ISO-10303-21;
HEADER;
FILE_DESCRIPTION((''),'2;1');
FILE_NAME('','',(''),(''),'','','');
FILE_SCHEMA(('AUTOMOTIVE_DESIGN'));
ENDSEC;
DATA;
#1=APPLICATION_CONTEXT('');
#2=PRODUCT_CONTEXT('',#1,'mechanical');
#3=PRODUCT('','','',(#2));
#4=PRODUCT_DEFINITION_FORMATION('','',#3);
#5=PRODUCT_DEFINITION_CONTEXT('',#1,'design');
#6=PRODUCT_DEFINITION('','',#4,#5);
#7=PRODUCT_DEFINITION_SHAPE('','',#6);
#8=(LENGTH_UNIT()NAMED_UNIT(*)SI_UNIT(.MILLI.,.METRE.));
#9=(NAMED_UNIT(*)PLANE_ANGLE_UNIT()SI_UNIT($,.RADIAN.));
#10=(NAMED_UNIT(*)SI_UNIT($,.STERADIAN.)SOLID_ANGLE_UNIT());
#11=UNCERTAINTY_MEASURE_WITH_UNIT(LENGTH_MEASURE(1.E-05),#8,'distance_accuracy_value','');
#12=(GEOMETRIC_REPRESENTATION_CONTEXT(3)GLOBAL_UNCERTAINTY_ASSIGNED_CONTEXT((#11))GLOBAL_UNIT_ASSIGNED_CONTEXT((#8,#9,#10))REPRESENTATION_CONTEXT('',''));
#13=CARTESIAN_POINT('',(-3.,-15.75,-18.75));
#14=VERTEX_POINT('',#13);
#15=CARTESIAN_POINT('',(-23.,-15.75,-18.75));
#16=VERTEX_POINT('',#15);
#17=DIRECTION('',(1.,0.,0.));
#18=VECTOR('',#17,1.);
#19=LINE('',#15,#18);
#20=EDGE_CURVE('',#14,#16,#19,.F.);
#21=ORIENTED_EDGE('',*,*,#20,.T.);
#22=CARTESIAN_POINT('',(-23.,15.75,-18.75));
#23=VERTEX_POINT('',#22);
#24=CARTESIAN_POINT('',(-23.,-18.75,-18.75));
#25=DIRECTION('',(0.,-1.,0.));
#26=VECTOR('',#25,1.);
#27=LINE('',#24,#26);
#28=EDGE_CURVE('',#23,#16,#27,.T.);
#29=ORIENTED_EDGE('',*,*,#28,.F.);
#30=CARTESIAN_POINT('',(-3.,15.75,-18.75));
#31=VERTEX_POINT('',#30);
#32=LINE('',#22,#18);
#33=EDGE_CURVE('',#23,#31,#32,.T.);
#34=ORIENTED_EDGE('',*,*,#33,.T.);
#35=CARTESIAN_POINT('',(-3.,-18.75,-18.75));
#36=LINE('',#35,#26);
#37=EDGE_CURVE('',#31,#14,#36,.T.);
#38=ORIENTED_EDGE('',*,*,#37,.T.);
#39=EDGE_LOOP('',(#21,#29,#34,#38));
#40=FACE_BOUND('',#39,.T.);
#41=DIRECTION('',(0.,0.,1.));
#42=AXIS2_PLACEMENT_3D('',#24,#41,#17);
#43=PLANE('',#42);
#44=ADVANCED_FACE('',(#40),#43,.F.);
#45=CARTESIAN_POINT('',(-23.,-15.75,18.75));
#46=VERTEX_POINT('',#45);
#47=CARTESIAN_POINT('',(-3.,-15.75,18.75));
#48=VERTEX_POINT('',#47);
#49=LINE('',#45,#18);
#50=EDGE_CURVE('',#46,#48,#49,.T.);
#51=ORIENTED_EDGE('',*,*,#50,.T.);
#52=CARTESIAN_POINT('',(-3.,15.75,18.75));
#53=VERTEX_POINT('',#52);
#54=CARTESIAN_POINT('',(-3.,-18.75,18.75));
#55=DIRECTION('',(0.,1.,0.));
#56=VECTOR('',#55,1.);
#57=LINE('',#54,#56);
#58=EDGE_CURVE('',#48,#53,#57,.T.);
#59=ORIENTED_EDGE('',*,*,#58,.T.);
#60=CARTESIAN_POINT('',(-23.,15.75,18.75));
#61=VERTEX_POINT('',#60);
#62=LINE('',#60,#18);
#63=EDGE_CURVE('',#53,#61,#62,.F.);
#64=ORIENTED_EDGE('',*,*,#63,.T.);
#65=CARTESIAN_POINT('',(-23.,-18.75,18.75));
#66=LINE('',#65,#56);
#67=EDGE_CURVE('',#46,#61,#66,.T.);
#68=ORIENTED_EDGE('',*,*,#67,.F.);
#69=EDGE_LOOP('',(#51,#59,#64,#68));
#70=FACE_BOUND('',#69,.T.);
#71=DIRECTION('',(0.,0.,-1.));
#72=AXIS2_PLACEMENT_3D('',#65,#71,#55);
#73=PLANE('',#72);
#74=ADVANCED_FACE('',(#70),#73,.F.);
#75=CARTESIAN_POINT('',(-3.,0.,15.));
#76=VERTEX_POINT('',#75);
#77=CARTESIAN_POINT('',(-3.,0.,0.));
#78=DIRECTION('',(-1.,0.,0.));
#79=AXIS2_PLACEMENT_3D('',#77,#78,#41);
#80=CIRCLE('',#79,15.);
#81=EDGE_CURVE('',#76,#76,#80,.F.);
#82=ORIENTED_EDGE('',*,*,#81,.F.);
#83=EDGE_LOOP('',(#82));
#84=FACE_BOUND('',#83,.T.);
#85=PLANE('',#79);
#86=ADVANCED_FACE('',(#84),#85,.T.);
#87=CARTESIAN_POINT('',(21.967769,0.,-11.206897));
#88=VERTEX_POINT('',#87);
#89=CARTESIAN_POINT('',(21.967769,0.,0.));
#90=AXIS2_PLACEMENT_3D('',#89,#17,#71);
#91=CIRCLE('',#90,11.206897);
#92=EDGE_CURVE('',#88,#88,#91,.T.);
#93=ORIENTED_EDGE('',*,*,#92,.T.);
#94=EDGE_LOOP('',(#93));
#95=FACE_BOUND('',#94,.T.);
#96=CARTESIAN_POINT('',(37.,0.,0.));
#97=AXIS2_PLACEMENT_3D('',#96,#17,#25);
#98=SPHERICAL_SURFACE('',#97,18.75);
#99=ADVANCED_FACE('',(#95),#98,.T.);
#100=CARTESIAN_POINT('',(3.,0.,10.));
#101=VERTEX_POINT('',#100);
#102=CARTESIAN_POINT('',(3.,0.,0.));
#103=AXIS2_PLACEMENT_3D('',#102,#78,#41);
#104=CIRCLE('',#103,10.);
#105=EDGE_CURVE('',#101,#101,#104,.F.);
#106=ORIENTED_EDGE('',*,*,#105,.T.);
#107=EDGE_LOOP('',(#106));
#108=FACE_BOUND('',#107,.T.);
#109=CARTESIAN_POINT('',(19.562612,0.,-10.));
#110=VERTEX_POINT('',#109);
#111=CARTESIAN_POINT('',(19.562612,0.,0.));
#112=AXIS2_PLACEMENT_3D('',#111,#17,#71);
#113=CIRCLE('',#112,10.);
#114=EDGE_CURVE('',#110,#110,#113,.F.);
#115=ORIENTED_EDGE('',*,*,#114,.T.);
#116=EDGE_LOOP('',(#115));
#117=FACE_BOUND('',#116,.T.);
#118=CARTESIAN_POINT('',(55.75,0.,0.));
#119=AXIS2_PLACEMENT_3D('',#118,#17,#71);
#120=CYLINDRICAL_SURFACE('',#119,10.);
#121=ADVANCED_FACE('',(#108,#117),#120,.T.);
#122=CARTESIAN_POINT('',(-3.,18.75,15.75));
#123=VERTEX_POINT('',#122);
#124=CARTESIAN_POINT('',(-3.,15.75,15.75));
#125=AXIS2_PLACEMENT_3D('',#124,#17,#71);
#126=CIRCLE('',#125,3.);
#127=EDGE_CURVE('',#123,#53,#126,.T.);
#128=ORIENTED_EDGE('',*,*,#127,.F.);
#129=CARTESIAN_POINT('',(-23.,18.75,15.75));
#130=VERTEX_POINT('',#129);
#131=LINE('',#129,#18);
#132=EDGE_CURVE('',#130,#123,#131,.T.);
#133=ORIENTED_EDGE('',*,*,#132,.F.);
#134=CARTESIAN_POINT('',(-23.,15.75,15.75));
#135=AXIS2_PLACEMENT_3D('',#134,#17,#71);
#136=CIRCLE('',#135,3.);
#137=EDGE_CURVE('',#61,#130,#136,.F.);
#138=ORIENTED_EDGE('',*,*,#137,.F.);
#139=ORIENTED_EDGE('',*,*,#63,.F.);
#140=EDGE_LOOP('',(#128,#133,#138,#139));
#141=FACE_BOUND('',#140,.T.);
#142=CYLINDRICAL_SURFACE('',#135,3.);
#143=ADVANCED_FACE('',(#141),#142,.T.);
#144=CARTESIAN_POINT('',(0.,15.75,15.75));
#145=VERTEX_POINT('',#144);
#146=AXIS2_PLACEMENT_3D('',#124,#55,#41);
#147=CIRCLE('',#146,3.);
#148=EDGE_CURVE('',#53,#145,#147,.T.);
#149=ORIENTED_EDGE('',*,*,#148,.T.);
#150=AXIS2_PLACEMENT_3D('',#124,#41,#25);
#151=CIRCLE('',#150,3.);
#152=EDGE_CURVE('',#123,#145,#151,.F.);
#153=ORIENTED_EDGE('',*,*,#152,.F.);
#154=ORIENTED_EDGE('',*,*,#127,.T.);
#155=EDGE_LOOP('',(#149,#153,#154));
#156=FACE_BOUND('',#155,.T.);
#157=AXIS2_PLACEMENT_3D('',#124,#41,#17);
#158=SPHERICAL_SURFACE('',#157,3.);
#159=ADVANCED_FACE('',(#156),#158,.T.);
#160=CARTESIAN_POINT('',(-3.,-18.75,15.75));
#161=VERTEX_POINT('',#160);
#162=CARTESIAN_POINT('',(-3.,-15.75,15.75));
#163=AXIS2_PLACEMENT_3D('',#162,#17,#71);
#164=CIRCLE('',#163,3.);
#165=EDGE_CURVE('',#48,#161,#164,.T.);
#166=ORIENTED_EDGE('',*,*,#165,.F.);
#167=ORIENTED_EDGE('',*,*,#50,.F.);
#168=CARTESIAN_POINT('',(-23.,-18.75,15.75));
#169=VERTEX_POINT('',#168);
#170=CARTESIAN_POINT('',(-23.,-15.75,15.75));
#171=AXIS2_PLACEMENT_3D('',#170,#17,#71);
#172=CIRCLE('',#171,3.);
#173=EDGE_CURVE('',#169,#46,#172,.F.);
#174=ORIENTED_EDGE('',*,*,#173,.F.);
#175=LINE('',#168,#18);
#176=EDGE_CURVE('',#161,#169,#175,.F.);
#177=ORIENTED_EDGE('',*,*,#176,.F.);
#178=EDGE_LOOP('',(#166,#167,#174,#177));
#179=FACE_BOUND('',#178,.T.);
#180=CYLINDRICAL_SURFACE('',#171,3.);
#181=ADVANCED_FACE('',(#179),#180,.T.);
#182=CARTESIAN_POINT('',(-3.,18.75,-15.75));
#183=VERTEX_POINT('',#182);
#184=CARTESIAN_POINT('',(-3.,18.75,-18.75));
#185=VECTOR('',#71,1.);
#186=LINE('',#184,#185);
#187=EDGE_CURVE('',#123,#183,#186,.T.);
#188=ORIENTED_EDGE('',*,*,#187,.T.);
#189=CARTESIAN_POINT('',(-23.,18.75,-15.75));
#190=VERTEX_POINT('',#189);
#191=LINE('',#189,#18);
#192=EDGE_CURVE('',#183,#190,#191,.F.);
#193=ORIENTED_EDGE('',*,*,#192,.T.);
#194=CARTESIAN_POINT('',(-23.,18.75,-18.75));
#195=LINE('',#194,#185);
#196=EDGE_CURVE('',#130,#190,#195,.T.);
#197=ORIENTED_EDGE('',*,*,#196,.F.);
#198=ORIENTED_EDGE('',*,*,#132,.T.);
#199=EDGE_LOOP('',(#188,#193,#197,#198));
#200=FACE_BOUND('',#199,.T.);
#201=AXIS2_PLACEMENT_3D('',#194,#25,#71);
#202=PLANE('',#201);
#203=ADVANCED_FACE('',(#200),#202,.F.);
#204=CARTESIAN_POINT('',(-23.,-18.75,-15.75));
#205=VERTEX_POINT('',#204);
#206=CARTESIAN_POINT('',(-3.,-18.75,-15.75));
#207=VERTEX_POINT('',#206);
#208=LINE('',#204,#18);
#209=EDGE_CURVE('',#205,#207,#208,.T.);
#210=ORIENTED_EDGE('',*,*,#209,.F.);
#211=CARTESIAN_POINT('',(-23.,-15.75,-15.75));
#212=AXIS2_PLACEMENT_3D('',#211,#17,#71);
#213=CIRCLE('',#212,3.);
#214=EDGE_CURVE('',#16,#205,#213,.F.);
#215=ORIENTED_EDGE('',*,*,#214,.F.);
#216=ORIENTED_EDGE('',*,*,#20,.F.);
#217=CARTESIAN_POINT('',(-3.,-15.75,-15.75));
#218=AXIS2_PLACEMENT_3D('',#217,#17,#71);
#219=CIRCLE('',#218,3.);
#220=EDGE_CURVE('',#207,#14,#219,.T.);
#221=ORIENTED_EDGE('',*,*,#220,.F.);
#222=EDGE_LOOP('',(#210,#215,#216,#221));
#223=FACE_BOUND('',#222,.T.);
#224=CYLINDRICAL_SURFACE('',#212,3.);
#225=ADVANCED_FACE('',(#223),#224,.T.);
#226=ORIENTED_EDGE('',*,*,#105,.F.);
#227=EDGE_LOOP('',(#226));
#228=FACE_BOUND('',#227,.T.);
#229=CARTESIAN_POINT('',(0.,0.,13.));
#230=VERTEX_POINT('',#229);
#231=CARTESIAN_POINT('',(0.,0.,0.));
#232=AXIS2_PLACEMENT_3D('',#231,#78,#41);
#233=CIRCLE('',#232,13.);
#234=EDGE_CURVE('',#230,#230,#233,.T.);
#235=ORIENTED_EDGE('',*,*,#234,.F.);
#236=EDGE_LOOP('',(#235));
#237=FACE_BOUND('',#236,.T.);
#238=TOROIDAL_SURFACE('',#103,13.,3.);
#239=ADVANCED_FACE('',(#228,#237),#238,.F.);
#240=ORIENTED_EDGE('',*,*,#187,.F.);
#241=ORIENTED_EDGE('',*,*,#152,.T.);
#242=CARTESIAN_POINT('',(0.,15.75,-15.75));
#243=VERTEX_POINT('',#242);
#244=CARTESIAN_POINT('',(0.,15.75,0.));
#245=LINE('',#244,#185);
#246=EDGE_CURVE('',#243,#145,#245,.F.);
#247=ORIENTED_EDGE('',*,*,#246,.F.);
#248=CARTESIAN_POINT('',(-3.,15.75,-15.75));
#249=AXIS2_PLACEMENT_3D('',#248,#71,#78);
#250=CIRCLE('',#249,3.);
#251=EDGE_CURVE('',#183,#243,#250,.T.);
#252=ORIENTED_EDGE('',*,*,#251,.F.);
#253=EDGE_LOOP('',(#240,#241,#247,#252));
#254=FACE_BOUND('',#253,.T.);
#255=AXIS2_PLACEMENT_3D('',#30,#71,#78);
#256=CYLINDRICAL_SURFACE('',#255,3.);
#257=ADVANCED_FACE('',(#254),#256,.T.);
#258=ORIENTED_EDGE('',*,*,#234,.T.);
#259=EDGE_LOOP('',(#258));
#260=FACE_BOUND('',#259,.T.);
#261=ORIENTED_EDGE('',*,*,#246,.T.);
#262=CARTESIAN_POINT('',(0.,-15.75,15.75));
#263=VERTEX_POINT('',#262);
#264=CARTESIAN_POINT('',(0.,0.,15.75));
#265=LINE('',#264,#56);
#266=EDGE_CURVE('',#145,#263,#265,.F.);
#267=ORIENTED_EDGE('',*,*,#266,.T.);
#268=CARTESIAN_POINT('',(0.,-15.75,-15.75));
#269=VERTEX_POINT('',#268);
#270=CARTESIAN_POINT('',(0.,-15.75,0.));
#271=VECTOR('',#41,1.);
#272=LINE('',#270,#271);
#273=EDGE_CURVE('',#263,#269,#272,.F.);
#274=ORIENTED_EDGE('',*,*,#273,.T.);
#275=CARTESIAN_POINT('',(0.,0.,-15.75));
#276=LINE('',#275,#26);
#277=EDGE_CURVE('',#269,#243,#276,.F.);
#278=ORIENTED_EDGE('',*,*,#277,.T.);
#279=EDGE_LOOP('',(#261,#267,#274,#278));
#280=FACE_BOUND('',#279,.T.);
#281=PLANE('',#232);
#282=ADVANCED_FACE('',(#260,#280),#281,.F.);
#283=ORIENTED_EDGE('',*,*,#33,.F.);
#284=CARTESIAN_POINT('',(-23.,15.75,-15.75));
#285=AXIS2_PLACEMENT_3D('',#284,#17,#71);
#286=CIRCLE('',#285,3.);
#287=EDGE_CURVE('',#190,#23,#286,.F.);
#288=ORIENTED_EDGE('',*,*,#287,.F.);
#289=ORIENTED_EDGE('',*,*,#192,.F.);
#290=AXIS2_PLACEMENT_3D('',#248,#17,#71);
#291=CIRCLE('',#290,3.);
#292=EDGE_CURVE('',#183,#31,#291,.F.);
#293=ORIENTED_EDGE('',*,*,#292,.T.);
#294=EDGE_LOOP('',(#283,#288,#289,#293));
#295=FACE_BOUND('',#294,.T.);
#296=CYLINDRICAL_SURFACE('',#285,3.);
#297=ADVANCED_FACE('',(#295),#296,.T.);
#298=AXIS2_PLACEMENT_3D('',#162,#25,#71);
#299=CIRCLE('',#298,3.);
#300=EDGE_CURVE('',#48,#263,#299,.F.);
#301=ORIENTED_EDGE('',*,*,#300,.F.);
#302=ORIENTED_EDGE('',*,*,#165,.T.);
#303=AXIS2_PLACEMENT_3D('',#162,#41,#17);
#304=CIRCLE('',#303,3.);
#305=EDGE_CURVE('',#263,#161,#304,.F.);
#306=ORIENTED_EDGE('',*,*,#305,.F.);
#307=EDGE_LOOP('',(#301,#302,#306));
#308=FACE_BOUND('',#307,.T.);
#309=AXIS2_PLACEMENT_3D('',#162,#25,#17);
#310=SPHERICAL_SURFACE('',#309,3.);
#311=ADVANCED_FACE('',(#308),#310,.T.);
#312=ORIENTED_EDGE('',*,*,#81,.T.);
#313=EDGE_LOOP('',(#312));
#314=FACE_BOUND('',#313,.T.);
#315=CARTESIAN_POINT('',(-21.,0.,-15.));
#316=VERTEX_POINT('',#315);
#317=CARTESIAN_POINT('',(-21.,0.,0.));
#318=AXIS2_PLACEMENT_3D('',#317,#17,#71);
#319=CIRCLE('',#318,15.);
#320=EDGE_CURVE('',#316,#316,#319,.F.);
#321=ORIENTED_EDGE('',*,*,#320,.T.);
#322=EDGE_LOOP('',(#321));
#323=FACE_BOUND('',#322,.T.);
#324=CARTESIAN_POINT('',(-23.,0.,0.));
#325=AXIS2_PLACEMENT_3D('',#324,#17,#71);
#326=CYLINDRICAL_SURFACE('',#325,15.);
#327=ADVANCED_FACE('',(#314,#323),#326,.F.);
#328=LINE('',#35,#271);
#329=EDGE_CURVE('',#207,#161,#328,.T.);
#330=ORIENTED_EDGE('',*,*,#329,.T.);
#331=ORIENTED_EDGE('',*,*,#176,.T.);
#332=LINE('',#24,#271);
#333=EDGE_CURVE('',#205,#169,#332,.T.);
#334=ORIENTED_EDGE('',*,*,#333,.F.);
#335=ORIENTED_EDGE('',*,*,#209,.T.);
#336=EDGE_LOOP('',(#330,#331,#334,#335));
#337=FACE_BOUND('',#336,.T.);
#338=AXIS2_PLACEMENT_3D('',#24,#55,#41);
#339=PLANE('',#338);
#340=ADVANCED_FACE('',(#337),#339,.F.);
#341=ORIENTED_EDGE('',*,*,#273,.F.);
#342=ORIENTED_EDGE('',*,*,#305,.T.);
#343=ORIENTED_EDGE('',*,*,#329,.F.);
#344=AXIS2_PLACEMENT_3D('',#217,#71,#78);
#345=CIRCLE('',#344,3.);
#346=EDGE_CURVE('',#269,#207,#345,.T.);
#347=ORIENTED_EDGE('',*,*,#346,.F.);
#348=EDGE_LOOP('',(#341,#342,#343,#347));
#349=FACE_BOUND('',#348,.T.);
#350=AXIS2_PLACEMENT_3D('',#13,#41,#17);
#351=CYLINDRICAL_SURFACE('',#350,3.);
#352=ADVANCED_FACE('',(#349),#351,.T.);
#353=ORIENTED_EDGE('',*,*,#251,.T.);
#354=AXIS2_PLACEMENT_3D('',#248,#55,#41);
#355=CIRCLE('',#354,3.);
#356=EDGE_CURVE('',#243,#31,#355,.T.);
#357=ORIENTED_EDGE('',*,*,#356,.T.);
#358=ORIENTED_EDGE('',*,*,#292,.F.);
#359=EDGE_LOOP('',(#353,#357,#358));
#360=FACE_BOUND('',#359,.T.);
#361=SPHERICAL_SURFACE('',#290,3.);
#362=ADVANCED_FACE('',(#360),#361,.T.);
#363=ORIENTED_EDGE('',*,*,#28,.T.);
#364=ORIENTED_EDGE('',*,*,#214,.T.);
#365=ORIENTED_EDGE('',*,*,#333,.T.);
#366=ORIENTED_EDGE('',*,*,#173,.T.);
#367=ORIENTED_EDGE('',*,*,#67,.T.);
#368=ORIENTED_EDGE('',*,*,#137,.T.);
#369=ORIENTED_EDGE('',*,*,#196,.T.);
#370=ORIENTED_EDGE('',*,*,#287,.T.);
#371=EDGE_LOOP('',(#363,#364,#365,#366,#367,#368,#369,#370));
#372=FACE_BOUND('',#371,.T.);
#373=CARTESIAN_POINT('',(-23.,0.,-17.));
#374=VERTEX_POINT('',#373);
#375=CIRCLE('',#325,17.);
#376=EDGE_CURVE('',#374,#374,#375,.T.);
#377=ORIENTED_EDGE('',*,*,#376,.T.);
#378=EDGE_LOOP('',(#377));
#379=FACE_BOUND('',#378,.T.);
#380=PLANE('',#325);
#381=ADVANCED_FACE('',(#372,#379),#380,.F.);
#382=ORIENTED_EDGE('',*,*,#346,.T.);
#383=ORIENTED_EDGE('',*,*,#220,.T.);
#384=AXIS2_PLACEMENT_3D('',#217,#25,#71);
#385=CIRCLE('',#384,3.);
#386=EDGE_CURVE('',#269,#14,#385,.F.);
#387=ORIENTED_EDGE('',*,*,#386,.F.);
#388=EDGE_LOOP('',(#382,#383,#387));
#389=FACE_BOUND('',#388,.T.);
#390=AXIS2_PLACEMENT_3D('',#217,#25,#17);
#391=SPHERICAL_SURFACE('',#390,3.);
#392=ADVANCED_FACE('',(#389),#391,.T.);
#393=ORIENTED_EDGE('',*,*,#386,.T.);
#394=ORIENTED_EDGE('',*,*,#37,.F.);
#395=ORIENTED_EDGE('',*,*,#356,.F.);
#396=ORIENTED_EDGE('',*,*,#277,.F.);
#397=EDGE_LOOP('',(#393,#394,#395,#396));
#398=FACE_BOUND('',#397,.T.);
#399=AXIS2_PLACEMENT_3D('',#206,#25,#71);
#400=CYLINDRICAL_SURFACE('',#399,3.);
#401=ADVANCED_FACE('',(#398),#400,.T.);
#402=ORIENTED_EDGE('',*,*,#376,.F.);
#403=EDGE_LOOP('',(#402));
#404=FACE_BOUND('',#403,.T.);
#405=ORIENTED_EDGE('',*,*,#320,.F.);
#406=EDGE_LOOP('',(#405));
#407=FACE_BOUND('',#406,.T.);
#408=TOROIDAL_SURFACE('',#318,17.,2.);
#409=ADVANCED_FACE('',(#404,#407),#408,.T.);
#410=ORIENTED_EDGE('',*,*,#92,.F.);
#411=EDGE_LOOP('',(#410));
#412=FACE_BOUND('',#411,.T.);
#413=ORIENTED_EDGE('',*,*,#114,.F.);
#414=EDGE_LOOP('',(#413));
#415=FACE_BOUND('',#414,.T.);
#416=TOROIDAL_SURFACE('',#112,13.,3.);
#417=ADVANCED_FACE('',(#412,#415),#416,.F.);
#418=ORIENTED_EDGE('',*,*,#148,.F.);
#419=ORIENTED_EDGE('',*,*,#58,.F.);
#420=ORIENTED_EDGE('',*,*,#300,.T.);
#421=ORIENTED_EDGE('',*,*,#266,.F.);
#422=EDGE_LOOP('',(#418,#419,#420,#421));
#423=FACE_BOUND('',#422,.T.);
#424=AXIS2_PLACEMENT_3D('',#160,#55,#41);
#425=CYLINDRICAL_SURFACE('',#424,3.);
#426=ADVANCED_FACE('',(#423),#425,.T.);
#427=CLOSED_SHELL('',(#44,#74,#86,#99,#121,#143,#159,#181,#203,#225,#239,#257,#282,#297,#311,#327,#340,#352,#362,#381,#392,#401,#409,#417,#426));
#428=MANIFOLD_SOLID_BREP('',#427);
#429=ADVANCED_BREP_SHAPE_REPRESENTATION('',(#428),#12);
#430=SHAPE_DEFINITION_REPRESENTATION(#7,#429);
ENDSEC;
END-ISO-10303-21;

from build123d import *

# Parameters (mm, degrees)
SKETCH2_W           = 37.5
SKETCH2_H           = 37.5
SKETCH2_R           = 15
BOSS_EXTRUDE1_DEPTH = 23
SKETCH3_R           = 15
BOSS_EXTRUDE2_DEPTH = 3
FILLET2_R           = 3
FILLET3_R           = 2


with BuildPart() as part:
    # Sketch1 → Revolve1 (revolve)
    with BuildSketch(Plane.XY, mode=Mode.PRIVATE) as revolve1_sk:
        with BuildLine():
            Line((0, 10), (21.139278074, 10))
            ThreePointArc((21.139278074, 10), (42.204515534, 18.013203992), (55.75, 0))
            Line((55.75, 0), (0, 0))
            Line((0, 0), (0, 10))
        make_face()
    revolve(revolve1_sk.sketch.rotate(Axis((55.75, 0, 0), (-1, 0, 0)), 180), axis=Axis((55.75, 0, 0), (-1, 0, 0)))



with BuildPart() as body_2:
    # Sketch2 → Boss-Extrude1 (new body)
    with BuildSketch(Plane.ZY):
        Rectangle(SKETCH2_W, SKETCH2_H)
        Circle(SKETCH2_R, mode=Mode.SUBTRACT)
    extrude(amount=BOSS_EXTRUDE1_DEPTH)


with BuildPart() as part_1:
    add(part.part)

    add(body_2.part)  # Boss-Extrude2 merges body 2
    # Sketch3 → Boss-Extrude2 (add)
    with BuildSketch(Plane.ZY):
        Circle(SKETCH3_R)
    extrude(amount=BOSS_EXTRUDE2_DEPTH)

    # Fillet2
    fillet2_edges = [part_1.edges().sort_by_distance(p)[0] for p in [
        (0, 10, 0),
        (0, 0, 18.75),
        (-11.5, -18.75, 18.75),
        (0, 18.75, 0),
        (-11.5, 18.75, 18.75),
        (0, 0, -18.75),
        (-11.5, 18.75, -18.75),
        (0, -18.75, 0),
        (-11.5, -18.75, -18.75),
        (21.139278074, 10, 0),
    ]]
    fillet(fillet2_edges, radius=FILLET2_R)

    # Fillet3
    fillet3_edges = [part_1.edges().sort_by_distance(p)[0] for p in [
        (-23, 0, -15),
    ]]
    fillet(fillet3_edges, radius=FILLET3_R)


solid = part_1.part
